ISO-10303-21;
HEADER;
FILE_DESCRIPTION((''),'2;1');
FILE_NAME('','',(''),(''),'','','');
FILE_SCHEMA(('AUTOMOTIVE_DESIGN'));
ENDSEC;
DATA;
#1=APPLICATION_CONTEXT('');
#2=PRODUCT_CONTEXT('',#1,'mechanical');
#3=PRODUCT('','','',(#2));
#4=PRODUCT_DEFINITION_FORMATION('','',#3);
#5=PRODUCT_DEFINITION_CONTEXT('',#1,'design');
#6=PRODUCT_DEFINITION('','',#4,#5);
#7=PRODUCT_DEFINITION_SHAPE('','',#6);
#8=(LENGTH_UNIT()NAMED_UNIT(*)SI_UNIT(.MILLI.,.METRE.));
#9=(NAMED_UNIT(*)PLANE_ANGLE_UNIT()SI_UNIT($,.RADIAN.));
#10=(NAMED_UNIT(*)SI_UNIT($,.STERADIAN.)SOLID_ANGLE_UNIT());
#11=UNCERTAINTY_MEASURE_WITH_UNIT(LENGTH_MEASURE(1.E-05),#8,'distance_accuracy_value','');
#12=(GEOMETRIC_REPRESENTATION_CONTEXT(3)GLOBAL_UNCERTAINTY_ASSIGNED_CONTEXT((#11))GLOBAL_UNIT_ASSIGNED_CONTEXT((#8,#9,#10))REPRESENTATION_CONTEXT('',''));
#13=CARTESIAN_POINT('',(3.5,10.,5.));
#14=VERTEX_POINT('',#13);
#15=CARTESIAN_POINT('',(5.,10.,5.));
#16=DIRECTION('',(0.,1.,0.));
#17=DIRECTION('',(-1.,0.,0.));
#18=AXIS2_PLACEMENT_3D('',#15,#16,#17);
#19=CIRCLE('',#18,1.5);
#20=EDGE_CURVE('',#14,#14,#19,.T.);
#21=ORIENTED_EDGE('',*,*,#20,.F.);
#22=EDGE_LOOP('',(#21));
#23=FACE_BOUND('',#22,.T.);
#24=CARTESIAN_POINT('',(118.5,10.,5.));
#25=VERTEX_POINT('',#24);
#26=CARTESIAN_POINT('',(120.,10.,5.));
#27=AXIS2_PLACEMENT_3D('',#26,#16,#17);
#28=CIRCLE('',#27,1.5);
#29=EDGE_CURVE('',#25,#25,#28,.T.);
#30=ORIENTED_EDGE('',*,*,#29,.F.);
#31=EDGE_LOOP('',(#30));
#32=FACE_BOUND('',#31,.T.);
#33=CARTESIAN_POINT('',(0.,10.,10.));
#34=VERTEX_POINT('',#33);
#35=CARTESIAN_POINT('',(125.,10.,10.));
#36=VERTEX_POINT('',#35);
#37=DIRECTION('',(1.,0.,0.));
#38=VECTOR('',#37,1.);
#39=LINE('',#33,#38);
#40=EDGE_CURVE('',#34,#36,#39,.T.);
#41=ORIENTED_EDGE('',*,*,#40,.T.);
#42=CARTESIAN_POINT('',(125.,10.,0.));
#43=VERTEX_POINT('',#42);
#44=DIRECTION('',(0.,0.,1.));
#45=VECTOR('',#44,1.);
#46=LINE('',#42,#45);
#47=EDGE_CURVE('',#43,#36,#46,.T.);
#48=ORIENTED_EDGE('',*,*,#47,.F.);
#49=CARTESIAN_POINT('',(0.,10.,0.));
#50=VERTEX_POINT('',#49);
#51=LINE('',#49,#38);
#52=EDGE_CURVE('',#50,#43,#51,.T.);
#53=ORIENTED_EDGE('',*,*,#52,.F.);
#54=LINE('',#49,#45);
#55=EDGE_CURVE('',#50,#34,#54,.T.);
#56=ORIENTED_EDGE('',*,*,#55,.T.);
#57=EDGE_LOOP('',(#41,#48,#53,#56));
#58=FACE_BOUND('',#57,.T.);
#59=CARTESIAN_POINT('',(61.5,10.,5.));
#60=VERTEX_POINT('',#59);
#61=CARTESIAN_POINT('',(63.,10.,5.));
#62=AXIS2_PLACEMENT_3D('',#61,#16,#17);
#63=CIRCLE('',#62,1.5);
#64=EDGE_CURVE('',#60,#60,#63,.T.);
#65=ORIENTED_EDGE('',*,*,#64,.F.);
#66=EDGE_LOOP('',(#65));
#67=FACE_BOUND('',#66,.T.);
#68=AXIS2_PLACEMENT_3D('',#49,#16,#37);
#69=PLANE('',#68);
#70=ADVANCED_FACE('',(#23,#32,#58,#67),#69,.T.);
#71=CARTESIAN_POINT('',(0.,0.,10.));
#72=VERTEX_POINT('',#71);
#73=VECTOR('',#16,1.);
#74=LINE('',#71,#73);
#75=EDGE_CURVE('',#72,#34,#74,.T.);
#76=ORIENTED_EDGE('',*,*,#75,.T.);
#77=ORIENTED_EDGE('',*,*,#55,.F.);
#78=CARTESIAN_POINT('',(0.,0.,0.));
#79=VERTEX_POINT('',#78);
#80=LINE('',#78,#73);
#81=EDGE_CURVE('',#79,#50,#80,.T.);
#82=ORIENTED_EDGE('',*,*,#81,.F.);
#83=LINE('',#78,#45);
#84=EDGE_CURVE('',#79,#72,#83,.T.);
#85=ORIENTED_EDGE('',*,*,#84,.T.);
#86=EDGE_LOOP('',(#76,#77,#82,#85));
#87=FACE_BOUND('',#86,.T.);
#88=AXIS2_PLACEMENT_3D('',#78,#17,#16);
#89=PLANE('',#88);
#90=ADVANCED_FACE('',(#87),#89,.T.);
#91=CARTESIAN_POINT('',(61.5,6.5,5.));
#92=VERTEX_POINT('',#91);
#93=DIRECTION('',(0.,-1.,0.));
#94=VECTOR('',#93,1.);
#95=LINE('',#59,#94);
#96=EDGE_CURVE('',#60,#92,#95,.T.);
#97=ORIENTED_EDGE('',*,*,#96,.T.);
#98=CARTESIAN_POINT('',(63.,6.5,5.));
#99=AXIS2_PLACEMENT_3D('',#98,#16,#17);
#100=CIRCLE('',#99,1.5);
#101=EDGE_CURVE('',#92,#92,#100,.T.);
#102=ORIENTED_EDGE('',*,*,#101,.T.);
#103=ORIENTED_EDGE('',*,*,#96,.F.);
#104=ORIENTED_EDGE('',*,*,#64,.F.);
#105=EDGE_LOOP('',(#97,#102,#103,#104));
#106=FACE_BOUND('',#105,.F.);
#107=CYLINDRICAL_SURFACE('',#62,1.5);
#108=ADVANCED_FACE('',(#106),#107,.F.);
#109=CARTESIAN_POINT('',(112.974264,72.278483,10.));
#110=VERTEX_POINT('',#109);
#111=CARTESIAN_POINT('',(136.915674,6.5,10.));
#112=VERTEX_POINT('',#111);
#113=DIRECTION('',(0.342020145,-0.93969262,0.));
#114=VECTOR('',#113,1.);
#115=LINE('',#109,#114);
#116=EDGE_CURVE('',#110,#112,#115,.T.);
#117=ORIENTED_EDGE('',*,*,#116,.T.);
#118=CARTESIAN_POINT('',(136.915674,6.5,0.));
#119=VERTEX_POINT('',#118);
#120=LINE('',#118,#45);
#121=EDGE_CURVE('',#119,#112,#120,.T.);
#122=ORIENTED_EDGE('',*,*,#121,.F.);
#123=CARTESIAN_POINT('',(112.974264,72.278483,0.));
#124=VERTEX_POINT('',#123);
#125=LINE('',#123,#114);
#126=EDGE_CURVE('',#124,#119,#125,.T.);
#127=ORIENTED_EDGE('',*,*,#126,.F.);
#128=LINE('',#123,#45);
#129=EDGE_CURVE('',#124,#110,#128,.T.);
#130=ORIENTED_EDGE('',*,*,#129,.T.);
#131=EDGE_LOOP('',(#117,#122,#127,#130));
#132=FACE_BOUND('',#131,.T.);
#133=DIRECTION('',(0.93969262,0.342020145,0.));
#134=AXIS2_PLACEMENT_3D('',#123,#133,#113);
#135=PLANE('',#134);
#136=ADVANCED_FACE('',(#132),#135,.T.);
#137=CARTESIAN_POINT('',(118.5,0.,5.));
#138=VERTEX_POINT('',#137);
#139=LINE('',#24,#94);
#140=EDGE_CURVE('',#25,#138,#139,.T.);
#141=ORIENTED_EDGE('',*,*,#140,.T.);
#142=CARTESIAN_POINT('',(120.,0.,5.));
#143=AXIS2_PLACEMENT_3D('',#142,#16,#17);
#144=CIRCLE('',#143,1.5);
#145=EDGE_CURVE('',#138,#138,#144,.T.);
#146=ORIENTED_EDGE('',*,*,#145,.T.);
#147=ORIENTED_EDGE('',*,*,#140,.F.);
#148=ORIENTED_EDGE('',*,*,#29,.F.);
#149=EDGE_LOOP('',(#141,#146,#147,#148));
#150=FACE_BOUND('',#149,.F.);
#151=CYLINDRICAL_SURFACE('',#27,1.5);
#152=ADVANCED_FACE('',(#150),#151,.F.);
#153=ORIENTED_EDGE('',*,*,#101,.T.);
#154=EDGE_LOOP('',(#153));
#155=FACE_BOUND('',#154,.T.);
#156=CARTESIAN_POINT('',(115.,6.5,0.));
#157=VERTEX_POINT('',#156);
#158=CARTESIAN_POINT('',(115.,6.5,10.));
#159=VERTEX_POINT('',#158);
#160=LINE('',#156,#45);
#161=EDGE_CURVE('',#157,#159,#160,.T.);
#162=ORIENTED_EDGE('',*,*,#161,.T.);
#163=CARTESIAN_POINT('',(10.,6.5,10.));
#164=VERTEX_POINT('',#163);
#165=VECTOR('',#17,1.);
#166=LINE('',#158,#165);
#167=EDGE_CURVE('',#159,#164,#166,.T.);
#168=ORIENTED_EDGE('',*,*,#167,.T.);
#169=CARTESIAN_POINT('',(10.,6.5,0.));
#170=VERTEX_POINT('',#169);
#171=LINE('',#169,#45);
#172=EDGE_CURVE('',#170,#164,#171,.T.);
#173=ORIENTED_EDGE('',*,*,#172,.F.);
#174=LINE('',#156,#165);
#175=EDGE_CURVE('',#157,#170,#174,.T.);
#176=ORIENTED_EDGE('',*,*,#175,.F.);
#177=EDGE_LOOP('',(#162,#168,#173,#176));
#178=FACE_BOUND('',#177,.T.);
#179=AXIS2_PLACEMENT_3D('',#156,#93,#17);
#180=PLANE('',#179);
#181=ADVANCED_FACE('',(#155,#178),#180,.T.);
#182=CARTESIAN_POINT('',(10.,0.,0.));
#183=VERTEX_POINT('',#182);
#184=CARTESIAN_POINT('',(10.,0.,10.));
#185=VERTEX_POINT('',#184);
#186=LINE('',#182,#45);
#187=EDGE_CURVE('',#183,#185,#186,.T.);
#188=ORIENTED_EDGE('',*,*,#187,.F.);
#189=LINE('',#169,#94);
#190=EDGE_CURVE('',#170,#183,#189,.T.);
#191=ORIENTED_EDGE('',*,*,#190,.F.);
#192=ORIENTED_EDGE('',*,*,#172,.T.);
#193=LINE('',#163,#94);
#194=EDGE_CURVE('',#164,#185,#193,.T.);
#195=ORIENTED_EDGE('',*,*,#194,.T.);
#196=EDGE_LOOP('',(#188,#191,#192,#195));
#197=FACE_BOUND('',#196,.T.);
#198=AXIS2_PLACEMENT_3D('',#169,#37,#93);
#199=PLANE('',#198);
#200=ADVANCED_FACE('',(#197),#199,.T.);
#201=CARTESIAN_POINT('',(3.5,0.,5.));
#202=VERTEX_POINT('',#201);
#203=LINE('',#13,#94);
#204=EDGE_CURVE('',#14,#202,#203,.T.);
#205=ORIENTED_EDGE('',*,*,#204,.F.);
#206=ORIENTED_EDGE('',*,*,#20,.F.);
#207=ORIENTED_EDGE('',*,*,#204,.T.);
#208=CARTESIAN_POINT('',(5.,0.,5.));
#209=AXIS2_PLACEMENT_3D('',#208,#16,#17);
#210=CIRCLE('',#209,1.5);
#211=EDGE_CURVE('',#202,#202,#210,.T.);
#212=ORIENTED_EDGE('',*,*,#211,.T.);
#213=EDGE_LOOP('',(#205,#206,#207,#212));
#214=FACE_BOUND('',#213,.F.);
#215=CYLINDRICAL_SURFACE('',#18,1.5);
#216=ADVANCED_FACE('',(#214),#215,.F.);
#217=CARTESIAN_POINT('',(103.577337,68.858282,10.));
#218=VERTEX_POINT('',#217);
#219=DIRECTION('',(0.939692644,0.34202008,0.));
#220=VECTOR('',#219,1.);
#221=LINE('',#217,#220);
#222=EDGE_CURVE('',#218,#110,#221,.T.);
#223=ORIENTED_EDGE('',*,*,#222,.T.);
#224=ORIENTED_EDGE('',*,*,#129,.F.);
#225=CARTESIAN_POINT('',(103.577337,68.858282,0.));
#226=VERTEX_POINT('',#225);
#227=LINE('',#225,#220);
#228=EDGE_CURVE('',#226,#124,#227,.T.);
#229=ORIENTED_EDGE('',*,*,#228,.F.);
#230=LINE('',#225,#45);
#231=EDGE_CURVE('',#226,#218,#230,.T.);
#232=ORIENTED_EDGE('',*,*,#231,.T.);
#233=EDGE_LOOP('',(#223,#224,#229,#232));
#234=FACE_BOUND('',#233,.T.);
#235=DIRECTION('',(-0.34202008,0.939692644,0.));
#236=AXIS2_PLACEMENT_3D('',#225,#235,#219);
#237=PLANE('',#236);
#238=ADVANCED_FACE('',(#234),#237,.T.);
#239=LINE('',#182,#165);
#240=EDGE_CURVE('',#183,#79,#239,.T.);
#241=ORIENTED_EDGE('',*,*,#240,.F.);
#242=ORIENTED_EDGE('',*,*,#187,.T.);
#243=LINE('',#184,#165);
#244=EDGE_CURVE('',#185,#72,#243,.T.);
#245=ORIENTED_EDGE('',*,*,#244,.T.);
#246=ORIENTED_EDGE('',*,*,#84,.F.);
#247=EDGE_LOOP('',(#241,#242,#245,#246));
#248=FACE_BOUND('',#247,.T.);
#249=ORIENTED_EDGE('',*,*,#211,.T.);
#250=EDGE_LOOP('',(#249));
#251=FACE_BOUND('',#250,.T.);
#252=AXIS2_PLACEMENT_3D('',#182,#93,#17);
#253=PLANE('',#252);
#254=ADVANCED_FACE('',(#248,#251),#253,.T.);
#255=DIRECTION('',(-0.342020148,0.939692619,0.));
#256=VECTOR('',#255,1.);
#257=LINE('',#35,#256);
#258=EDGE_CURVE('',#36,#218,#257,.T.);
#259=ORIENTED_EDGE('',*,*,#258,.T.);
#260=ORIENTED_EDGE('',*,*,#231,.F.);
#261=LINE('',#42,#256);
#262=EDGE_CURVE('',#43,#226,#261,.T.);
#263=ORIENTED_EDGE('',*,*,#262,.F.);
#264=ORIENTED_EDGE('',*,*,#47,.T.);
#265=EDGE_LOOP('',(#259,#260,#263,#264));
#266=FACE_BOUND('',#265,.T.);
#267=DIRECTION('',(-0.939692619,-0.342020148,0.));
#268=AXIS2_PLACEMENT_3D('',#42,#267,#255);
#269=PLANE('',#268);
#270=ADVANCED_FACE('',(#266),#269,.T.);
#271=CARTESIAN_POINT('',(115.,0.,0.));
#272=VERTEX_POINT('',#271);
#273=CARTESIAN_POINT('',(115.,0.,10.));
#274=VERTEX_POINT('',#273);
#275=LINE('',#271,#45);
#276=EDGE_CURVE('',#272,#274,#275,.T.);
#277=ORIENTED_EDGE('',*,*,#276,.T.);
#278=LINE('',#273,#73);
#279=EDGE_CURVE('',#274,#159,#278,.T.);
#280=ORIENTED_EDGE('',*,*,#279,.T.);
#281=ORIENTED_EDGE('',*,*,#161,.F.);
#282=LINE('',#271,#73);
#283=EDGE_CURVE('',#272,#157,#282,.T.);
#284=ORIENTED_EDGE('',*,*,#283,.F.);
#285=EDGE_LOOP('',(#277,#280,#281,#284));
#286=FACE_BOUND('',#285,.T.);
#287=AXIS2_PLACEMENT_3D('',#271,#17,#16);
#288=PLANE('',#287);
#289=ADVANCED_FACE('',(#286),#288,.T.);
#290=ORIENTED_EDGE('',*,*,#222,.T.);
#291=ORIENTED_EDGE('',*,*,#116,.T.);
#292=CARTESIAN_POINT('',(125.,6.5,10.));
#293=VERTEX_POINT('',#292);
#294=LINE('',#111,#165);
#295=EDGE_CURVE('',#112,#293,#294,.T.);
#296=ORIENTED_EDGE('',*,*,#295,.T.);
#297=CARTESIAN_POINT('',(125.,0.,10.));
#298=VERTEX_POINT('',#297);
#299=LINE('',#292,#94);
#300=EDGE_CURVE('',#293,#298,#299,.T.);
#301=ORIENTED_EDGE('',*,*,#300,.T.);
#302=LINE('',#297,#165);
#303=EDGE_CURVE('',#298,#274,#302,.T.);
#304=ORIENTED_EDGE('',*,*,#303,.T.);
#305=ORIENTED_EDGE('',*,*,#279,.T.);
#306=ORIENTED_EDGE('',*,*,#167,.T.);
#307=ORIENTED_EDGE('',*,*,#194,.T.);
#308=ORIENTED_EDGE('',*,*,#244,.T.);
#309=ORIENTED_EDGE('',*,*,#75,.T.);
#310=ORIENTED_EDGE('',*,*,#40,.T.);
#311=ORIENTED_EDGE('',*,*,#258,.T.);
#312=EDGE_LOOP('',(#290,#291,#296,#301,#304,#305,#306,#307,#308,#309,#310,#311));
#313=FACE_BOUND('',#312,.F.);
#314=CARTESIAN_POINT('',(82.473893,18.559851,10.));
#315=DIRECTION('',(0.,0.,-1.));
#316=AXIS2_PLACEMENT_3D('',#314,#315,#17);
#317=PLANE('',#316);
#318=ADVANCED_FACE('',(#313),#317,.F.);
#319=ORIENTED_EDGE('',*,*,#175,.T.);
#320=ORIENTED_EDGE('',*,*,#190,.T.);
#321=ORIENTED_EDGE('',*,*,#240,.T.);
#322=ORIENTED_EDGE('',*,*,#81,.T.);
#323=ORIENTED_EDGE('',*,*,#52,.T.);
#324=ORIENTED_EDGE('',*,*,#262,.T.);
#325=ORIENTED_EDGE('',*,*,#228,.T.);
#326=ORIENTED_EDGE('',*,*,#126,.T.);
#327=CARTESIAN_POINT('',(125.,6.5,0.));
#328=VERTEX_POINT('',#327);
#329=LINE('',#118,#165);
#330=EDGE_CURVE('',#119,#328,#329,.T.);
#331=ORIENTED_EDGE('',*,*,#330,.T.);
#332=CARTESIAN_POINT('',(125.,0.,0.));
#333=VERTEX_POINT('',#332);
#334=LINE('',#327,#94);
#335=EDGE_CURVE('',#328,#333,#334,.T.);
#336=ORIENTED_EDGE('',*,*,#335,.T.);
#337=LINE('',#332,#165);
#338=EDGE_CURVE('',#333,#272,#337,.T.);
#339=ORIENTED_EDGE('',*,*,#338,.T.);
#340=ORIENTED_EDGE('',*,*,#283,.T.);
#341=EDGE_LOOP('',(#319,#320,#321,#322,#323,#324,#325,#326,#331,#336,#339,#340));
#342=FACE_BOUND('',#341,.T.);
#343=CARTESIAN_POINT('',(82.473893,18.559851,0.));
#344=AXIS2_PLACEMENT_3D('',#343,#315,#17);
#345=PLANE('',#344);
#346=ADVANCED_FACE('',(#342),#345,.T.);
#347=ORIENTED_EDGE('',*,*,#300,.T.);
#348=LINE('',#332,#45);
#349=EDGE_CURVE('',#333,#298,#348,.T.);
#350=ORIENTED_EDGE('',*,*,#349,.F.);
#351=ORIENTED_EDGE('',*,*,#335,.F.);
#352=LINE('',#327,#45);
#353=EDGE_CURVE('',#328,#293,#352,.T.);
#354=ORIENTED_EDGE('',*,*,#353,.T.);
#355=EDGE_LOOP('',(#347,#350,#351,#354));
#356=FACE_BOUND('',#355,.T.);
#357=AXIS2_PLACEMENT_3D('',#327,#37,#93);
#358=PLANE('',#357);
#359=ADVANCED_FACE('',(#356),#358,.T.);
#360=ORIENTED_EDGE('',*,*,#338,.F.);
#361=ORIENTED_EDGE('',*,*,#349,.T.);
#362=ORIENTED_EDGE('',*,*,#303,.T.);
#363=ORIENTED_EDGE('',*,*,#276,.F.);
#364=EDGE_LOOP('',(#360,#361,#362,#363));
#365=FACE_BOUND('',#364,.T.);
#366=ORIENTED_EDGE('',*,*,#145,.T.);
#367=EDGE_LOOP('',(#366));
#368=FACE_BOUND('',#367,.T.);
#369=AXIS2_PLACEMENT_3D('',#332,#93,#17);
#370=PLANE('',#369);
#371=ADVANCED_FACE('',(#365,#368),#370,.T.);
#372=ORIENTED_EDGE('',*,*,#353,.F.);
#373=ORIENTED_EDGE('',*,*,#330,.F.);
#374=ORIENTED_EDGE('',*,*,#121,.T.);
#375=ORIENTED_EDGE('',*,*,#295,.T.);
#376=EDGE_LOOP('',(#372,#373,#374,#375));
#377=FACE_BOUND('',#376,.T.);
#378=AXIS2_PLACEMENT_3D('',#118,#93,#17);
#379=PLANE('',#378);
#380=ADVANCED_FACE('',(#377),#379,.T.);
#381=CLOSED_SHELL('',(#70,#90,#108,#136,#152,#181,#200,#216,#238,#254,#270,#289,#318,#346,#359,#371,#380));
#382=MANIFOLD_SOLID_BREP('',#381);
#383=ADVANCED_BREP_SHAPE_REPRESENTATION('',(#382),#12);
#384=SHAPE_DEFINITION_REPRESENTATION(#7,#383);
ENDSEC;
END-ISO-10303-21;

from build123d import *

# Parameters (mm, degrees)
PAD_DEPTH    = 10
SKETCH001_R  = 1.5
POCKET_DEPTH = 10.001


with BuildPart() as part:
    # Sketch → Pad (new body)
    with BuildSketch(Plane.XY):
        Polygon((0, 0), (0, 10), (125, 10), (103.577337, 68.858282), (112.974264, 72.278483), (136.915674, 6.5), (125, 6.5), (125, 0), (115, 0), (115, 6.5), (10, 6.5), (10, 0), align=None)
    extrude(amount=PAD_DEPTH)

    # Sketch001 (on Face2 of Pad) → Pocket (cut, through all)
    with BuildSketch(Plane(origin=(0, 10, 0), x_dir=(-1, 0, 0), z_dir=(0, 1, 0))):
        with Locations((-5, 5)):
            Circle(SKETCH001_R)
        with Locations((-120, 5)):
            Circle(SKETCH001_R)
        with Locations((-63, 5)):
            Circle(SKETCH001_R)
    extrude(amount=-POCKET_DEPTH, mode=Mode.SUBTRACT)


solid = part.part
